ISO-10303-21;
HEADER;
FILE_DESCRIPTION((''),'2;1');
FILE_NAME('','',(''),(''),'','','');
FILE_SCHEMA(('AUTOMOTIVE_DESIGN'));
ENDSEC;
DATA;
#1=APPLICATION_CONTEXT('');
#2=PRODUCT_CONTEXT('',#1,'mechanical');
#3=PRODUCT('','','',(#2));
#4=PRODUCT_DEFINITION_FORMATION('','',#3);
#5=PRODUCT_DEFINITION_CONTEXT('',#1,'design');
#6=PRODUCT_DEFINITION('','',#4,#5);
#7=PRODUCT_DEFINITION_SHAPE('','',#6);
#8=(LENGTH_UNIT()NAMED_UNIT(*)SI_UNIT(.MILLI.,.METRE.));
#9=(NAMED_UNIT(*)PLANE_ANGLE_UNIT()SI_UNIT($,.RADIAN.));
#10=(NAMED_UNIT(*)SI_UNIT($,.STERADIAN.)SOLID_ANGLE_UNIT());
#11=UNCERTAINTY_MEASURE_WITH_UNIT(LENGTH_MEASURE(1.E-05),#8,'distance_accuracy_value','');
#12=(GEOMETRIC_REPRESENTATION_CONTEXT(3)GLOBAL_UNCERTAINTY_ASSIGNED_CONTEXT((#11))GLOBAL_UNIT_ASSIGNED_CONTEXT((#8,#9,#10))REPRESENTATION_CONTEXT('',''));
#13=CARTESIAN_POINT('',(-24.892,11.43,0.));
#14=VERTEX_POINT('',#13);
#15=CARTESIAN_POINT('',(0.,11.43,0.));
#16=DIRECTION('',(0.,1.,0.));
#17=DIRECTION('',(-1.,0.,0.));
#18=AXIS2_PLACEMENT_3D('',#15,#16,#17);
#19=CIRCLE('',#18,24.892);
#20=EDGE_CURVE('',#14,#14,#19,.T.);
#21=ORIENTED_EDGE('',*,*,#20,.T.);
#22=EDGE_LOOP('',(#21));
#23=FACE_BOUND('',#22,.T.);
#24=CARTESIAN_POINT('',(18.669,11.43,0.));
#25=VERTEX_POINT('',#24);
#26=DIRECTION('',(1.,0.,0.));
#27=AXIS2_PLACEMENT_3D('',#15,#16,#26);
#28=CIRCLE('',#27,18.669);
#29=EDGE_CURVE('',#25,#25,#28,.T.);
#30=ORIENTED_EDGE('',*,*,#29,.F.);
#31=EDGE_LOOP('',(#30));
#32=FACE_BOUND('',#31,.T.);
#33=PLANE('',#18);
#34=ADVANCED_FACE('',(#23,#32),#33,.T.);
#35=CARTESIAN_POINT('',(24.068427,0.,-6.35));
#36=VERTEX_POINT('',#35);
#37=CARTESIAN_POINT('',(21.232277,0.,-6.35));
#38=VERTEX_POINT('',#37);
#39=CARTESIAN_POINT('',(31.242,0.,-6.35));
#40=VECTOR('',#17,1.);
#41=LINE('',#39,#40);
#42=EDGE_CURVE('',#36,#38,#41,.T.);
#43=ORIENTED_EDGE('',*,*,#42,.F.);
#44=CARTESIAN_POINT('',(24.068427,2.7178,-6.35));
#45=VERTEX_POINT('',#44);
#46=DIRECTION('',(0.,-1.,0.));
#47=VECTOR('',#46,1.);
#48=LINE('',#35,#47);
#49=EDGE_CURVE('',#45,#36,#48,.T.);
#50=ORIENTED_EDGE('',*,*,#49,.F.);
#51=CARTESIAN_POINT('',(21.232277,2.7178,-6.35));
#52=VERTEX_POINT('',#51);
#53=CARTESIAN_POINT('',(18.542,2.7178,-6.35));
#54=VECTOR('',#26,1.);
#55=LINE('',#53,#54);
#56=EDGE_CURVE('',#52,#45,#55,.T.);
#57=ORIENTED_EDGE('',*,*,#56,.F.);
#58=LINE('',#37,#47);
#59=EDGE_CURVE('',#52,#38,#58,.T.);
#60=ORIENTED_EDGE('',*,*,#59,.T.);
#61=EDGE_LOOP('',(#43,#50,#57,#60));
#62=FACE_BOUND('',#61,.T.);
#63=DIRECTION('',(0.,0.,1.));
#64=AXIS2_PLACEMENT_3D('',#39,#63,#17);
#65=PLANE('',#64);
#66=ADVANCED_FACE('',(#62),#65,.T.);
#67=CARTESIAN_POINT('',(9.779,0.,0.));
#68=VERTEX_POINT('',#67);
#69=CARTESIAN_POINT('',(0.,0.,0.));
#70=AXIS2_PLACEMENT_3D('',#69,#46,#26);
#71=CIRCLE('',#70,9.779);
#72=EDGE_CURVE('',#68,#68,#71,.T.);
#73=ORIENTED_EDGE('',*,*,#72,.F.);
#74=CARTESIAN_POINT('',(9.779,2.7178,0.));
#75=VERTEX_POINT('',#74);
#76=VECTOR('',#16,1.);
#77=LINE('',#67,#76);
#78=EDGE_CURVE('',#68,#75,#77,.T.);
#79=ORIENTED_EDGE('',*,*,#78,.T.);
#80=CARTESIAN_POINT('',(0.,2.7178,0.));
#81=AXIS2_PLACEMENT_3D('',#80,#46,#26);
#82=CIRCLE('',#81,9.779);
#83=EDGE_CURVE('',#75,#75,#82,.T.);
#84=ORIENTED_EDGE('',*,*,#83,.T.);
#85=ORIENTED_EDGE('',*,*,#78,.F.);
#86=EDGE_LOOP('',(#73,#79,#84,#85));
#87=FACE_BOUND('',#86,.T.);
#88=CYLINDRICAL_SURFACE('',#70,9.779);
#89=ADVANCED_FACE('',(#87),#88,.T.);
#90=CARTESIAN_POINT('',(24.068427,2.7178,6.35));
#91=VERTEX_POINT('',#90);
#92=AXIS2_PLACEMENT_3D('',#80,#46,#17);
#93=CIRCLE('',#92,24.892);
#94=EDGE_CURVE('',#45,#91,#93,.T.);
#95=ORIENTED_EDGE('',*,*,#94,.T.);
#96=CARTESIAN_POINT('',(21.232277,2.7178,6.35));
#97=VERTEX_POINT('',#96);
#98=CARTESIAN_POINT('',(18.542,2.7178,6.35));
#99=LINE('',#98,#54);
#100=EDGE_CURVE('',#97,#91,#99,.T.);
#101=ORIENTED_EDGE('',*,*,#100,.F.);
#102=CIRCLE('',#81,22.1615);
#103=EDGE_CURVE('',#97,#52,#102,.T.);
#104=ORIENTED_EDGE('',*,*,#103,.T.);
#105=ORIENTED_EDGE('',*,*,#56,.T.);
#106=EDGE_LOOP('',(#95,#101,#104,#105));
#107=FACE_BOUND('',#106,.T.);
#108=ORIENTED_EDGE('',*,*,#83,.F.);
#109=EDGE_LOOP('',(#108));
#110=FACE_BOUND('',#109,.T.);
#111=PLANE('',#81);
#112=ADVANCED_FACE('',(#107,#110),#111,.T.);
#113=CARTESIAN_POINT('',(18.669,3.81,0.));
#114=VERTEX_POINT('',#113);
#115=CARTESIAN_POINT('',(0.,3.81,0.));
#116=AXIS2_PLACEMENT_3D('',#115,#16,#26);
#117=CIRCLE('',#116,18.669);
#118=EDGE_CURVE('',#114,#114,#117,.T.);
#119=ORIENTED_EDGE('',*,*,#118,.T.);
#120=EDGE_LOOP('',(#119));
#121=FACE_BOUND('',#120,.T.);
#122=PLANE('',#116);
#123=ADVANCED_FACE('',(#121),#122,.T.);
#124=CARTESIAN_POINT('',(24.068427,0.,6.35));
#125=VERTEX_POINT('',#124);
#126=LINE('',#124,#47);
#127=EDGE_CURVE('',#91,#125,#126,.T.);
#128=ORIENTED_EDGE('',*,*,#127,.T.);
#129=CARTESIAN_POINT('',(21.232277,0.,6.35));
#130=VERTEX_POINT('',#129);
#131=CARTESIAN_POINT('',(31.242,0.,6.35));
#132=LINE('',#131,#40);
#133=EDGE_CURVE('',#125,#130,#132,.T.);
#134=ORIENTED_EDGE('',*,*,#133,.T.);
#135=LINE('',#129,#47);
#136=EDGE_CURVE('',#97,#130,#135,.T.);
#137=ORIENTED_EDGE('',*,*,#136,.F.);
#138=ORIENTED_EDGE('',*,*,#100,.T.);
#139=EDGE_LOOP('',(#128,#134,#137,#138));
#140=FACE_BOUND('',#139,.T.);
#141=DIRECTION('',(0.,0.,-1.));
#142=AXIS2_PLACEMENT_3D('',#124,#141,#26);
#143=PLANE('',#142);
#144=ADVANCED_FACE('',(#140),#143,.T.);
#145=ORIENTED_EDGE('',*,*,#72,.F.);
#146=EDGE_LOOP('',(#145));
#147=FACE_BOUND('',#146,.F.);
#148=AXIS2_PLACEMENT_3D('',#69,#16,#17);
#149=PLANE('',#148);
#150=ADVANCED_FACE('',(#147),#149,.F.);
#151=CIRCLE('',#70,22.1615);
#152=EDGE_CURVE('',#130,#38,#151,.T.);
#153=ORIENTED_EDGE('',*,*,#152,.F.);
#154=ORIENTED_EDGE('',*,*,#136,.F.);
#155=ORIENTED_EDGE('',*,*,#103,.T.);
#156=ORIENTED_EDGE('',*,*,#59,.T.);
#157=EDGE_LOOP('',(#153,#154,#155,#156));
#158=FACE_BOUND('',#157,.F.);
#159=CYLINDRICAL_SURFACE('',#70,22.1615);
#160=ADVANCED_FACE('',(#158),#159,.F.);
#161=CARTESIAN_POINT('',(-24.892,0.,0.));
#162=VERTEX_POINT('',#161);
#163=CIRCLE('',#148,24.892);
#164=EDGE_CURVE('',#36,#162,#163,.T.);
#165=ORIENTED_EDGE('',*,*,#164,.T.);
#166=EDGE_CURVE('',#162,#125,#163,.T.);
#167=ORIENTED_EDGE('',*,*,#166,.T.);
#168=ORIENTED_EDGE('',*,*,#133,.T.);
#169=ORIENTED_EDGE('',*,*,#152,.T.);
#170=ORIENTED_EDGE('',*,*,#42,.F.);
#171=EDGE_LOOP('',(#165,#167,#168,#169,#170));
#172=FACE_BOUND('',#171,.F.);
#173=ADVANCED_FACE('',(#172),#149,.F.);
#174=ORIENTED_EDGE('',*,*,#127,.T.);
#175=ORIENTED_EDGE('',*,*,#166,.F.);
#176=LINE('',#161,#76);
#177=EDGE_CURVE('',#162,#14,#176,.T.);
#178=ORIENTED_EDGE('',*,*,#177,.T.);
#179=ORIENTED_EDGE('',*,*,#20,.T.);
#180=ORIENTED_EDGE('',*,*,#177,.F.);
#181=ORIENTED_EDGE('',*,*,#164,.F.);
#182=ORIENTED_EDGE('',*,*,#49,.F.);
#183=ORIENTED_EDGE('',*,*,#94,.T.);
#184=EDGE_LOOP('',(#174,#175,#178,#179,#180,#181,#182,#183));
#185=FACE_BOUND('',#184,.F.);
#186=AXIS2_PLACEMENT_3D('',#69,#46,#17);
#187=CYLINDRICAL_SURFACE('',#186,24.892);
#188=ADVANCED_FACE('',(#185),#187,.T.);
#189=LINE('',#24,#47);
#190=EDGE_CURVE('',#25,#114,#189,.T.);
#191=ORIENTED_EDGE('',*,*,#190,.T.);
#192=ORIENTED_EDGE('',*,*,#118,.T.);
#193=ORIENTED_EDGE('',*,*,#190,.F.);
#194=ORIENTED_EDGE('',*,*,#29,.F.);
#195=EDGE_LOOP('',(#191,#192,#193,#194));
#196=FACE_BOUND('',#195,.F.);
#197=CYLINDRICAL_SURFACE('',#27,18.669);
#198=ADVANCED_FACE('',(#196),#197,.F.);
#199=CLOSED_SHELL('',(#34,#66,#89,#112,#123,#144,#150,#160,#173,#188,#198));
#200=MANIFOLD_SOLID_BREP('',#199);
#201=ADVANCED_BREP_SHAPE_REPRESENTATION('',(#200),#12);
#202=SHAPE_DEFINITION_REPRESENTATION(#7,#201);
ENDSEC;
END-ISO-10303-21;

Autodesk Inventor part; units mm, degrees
ref_plane "YZ Plane" through (0, 0, 0) normal (1, 0, 0) x (0, 1, 0)
ref_plane "XZ Plane" through (0, 0, 0) normal (0, 1, 0) x (-1, 0, 0)
ref_plane "XY Plane" through (0, 0, 0) normal (0, 0, 1) x (1, 0, 0)
sketch "Sketch1" plane through (0, 0, 0) normal (0, 1, 0) x (-1, 0, 0)
  circle A0 centre (0, 0) radius 18.542 construction
  circle A1 centre (0, 0) radius 24.892
  dimension "d0" = 37.084
  dimension "d1" = 6.35
extrude "Extrusion1" add sketch "Sketch1" along normal blind 11.43
sketch "Sketch2" plane through (0, 11.43, 0) normal (0, 1, 0) x (1, 0, 0)
  circle A0 centre (0, 0) radius 18.669
  dimension "d4" = 37.338
extrude "Extrusion2" cut sketch "Sketch2" against normal blind 7.62
sketch "Sketch3" plane through (0, 0, 0) normal (0, -1, 0) x (1, 0, 0)
  circle A0 centre (0, 0) radius 22.1615
  circle A1 centre (0, 0) radius 9.779
  dimension "d7" = 44.323
  dimension "d10" = 19.558
extrude "Extrusion4" cut sketch "Sketch3" against normal blind 2.7178
sketch "Sketch4" plane through (0, 0, 0) normal (0, -1, 0) x (1, 0, 0)
  line L0 (31.242, -6.35) -> (18.542, -6.35)
  line L1 (18.542, -6.35) -> (18.542, 6.35)
  line L2 (18.542, 6.35) -> (31.242, 6.35)
  line L3 (31.242, 6.35) -> (31.242, -6.35)
  circle A0 centre (0, 0) radius 24.892 projected
  line L4 (31.242, -6.35) -> (18.542, 6.35) construction
  line L5 (18.542, -6.35) -> (31.242, 6.35) construction
  point P0 (24.892, 0)
  dimension "d13" = 12.7
  dimension "d14" = 12.7
extrude "Extrusion5" cut sketch "Sketch4" against normal up to surface (2.7178 mm away) contours L0 A0 L2 L3 | L0 L1 L2 A0 picked at (20.6587, 0)
properties part number "Lower Power"
